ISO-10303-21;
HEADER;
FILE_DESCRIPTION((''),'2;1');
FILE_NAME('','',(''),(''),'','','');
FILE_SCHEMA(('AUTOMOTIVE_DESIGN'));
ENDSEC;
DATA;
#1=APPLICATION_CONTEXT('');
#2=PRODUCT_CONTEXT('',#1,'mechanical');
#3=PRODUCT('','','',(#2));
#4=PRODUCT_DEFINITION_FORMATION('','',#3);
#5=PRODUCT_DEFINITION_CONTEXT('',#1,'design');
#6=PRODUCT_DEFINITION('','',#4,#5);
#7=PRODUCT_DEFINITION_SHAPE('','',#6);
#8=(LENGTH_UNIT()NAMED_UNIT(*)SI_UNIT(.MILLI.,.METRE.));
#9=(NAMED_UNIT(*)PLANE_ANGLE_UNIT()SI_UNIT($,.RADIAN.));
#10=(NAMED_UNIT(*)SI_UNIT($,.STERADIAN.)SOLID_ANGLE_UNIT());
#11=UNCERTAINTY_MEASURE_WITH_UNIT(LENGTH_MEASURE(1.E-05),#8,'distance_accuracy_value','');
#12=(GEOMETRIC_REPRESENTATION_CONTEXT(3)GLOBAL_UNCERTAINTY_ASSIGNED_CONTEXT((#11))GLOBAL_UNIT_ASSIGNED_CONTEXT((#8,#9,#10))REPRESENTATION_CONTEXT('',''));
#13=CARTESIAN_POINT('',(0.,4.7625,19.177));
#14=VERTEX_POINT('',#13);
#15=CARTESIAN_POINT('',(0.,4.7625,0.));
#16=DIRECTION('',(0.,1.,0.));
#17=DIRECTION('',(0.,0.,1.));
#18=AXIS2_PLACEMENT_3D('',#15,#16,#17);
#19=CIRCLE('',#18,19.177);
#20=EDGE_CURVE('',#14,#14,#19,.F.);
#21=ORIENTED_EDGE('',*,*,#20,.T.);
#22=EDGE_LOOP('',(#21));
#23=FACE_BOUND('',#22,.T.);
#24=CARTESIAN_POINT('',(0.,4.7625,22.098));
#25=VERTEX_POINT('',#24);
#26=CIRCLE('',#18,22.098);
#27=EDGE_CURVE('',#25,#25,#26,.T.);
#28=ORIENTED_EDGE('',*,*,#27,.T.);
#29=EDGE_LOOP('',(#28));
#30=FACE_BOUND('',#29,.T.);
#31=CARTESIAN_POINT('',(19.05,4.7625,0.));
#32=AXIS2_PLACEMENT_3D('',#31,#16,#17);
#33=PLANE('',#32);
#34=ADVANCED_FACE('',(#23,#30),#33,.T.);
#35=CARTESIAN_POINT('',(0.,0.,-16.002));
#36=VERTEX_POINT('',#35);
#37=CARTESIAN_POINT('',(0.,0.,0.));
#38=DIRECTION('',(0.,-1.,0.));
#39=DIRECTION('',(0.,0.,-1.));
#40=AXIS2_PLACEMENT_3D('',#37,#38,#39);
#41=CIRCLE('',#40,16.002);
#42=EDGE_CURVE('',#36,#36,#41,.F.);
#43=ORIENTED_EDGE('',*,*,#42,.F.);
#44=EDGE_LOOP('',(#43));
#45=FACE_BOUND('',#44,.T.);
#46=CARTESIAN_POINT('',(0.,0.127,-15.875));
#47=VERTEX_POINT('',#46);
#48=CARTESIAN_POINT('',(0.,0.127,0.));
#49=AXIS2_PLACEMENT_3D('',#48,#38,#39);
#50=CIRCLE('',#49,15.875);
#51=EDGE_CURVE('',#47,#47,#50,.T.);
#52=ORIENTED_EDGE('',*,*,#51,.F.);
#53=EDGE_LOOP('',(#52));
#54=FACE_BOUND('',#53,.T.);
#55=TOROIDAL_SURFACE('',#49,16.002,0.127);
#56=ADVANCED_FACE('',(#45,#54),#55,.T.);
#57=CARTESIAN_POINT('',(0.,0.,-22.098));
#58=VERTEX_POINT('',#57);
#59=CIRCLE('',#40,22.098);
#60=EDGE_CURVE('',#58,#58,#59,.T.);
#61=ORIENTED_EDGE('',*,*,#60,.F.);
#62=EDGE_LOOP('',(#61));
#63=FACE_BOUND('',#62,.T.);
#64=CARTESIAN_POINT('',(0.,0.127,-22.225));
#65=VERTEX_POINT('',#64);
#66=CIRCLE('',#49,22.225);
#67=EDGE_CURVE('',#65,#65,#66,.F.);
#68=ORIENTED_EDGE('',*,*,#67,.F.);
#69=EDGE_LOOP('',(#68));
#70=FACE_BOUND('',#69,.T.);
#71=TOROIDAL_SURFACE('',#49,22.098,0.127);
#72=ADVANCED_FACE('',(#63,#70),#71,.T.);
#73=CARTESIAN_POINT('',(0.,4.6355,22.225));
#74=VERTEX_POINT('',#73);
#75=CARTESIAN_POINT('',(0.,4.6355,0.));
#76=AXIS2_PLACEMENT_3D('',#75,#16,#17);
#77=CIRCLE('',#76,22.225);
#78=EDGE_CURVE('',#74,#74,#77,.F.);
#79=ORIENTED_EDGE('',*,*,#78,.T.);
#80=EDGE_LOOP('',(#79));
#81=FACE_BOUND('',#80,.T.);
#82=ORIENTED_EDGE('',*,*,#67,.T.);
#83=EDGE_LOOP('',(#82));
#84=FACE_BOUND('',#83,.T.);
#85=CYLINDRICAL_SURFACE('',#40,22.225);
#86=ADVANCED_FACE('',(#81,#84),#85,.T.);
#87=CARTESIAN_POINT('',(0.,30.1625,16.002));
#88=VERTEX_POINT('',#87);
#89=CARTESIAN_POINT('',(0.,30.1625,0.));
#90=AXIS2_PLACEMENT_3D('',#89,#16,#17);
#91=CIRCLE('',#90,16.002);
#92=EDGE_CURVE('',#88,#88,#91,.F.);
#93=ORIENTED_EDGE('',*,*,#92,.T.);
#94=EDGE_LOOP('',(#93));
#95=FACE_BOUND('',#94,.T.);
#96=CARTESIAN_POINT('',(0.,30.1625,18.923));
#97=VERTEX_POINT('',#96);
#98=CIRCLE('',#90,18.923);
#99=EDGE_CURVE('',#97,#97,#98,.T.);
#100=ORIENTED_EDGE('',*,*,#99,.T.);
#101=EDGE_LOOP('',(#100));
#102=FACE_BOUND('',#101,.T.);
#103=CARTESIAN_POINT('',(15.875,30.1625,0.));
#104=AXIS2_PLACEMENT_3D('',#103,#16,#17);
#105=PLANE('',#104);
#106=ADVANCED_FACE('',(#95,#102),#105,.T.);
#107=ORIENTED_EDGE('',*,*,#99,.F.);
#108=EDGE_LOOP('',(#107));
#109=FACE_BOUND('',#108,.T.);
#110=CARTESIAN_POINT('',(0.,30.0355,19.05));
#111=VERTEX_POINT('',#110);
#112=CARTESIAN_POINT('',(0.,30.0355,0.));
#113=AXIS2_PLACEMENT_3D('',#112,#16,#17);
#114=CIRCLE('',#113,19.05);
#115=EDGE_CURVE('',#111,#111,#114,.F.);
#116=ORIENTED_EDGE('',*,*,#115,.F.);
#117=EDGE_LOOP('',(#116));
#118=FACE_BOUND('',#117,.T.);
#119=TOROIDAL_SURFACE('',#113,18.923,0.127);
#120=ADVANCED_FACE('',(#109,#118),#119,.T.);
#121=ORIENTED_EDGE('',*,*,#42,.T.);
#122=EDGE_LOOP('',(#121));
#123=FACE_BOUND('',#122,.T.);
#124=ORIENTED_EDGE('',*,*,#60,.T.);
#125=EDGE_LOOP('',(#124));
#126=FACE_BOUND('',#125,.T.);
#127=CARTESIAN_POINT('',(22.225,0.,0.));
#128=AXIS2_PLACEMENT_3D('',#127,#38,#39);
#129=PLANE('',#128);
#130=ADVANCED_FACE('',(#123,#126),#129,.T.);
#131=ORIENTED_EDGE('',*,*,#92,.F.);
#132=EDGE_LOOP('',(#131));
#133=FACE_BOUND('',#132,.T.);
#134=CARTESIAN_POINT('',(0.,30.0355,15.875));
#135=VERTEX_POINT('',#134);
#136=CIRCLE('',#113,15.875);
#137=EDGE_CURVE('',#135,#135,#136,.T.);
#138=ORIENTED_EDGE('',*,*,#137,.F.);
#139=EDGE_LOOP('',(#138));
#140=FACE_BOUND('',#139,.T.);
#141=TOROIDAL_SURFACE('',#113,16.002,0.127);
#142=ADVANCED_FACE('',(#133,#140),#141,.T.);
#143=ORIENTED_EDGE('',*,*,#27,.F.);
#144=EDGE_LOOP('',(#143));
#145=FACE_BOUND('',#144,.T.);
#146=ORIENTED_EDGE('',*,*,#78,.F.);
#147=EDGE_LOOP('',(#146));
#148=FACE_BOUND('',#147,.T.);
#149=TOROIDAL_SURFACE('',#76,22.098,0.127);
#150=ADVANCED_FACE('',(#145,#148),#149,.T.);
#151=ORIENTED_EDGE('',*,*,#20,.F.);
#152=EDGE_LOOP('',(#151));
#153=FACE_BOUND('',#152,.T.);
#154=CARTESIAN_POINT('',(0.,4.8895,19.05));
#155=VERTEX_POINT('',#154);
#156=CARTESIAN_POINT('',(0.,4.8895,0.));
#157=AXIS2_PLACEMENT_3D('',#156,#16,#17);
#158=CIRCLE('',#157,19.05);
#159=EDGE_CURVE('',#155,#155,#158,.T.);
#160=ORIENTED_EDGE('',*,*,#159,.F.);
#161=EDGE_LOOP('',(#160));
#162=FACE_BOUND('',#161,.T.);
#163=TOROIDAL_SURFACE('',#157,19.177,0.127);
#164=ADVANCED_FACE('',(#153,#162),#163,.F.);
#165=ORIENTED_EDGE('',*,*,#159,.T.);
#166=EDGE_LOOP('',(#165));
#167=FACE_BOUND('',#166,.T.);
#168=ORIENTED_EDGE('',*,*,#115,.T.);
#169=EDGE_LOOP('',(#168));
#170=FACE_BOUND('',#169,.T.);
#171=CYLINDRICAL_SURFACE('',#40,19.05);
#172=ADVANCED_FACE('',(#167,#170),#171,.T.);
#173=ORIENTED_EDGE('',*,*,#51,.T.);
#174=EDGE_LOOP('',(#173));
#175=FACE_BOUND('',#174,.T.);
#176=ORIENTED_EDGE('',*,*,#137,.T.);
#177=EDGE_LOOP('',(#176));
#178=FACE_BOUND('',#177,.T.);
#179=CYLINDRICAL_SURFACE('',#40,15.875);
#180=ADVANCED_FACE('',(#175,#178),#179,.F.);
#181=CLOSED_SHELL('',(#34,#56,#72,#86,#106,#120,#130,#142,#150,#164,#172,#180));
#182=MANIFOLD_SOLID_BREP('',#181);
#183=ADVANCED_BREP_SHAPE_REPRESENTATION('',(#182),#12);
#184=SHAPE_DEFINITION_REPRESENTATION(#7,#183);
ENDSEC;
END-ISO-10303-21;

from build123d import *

# Parameters (mm, degrees)
FILLET1_R = 0.127


with BuildPart() as part:
    # Sketch1 → Revolve1 (revolve)
    with BuildSketch(Plane.XY, mode=Mode.PRIVATE) as revolve1_sk:
        Polygon((15.875, 0), (15.875, 30.1625), (19.05, 30.1625), (19.05, 4.7625), (22.225, 4.7625), (22.225, 0), align=None)
    revolve(revolve1_sk.sketch.rotate(Axis((0, 0, 0), (0, 1, 0)), 90), axis=Axis((0, 0, 0), (0, 1, 0)))

    # Fillet1
    fillet1_edges = [part.edges().sort_by_distance(p)[0] for p in [
        (0, 0, 22.225),
        (0, 4.7625, 22.225),
        (0, 4.7625, 19.05),
        (0, 30.1625, 19.05),
        (0, 30.1625, 15.875),
        (0, 0, 15.875),
    ]]
    fillet(fillet1_edges, radius=FILLET1_R)


solid = part.part
